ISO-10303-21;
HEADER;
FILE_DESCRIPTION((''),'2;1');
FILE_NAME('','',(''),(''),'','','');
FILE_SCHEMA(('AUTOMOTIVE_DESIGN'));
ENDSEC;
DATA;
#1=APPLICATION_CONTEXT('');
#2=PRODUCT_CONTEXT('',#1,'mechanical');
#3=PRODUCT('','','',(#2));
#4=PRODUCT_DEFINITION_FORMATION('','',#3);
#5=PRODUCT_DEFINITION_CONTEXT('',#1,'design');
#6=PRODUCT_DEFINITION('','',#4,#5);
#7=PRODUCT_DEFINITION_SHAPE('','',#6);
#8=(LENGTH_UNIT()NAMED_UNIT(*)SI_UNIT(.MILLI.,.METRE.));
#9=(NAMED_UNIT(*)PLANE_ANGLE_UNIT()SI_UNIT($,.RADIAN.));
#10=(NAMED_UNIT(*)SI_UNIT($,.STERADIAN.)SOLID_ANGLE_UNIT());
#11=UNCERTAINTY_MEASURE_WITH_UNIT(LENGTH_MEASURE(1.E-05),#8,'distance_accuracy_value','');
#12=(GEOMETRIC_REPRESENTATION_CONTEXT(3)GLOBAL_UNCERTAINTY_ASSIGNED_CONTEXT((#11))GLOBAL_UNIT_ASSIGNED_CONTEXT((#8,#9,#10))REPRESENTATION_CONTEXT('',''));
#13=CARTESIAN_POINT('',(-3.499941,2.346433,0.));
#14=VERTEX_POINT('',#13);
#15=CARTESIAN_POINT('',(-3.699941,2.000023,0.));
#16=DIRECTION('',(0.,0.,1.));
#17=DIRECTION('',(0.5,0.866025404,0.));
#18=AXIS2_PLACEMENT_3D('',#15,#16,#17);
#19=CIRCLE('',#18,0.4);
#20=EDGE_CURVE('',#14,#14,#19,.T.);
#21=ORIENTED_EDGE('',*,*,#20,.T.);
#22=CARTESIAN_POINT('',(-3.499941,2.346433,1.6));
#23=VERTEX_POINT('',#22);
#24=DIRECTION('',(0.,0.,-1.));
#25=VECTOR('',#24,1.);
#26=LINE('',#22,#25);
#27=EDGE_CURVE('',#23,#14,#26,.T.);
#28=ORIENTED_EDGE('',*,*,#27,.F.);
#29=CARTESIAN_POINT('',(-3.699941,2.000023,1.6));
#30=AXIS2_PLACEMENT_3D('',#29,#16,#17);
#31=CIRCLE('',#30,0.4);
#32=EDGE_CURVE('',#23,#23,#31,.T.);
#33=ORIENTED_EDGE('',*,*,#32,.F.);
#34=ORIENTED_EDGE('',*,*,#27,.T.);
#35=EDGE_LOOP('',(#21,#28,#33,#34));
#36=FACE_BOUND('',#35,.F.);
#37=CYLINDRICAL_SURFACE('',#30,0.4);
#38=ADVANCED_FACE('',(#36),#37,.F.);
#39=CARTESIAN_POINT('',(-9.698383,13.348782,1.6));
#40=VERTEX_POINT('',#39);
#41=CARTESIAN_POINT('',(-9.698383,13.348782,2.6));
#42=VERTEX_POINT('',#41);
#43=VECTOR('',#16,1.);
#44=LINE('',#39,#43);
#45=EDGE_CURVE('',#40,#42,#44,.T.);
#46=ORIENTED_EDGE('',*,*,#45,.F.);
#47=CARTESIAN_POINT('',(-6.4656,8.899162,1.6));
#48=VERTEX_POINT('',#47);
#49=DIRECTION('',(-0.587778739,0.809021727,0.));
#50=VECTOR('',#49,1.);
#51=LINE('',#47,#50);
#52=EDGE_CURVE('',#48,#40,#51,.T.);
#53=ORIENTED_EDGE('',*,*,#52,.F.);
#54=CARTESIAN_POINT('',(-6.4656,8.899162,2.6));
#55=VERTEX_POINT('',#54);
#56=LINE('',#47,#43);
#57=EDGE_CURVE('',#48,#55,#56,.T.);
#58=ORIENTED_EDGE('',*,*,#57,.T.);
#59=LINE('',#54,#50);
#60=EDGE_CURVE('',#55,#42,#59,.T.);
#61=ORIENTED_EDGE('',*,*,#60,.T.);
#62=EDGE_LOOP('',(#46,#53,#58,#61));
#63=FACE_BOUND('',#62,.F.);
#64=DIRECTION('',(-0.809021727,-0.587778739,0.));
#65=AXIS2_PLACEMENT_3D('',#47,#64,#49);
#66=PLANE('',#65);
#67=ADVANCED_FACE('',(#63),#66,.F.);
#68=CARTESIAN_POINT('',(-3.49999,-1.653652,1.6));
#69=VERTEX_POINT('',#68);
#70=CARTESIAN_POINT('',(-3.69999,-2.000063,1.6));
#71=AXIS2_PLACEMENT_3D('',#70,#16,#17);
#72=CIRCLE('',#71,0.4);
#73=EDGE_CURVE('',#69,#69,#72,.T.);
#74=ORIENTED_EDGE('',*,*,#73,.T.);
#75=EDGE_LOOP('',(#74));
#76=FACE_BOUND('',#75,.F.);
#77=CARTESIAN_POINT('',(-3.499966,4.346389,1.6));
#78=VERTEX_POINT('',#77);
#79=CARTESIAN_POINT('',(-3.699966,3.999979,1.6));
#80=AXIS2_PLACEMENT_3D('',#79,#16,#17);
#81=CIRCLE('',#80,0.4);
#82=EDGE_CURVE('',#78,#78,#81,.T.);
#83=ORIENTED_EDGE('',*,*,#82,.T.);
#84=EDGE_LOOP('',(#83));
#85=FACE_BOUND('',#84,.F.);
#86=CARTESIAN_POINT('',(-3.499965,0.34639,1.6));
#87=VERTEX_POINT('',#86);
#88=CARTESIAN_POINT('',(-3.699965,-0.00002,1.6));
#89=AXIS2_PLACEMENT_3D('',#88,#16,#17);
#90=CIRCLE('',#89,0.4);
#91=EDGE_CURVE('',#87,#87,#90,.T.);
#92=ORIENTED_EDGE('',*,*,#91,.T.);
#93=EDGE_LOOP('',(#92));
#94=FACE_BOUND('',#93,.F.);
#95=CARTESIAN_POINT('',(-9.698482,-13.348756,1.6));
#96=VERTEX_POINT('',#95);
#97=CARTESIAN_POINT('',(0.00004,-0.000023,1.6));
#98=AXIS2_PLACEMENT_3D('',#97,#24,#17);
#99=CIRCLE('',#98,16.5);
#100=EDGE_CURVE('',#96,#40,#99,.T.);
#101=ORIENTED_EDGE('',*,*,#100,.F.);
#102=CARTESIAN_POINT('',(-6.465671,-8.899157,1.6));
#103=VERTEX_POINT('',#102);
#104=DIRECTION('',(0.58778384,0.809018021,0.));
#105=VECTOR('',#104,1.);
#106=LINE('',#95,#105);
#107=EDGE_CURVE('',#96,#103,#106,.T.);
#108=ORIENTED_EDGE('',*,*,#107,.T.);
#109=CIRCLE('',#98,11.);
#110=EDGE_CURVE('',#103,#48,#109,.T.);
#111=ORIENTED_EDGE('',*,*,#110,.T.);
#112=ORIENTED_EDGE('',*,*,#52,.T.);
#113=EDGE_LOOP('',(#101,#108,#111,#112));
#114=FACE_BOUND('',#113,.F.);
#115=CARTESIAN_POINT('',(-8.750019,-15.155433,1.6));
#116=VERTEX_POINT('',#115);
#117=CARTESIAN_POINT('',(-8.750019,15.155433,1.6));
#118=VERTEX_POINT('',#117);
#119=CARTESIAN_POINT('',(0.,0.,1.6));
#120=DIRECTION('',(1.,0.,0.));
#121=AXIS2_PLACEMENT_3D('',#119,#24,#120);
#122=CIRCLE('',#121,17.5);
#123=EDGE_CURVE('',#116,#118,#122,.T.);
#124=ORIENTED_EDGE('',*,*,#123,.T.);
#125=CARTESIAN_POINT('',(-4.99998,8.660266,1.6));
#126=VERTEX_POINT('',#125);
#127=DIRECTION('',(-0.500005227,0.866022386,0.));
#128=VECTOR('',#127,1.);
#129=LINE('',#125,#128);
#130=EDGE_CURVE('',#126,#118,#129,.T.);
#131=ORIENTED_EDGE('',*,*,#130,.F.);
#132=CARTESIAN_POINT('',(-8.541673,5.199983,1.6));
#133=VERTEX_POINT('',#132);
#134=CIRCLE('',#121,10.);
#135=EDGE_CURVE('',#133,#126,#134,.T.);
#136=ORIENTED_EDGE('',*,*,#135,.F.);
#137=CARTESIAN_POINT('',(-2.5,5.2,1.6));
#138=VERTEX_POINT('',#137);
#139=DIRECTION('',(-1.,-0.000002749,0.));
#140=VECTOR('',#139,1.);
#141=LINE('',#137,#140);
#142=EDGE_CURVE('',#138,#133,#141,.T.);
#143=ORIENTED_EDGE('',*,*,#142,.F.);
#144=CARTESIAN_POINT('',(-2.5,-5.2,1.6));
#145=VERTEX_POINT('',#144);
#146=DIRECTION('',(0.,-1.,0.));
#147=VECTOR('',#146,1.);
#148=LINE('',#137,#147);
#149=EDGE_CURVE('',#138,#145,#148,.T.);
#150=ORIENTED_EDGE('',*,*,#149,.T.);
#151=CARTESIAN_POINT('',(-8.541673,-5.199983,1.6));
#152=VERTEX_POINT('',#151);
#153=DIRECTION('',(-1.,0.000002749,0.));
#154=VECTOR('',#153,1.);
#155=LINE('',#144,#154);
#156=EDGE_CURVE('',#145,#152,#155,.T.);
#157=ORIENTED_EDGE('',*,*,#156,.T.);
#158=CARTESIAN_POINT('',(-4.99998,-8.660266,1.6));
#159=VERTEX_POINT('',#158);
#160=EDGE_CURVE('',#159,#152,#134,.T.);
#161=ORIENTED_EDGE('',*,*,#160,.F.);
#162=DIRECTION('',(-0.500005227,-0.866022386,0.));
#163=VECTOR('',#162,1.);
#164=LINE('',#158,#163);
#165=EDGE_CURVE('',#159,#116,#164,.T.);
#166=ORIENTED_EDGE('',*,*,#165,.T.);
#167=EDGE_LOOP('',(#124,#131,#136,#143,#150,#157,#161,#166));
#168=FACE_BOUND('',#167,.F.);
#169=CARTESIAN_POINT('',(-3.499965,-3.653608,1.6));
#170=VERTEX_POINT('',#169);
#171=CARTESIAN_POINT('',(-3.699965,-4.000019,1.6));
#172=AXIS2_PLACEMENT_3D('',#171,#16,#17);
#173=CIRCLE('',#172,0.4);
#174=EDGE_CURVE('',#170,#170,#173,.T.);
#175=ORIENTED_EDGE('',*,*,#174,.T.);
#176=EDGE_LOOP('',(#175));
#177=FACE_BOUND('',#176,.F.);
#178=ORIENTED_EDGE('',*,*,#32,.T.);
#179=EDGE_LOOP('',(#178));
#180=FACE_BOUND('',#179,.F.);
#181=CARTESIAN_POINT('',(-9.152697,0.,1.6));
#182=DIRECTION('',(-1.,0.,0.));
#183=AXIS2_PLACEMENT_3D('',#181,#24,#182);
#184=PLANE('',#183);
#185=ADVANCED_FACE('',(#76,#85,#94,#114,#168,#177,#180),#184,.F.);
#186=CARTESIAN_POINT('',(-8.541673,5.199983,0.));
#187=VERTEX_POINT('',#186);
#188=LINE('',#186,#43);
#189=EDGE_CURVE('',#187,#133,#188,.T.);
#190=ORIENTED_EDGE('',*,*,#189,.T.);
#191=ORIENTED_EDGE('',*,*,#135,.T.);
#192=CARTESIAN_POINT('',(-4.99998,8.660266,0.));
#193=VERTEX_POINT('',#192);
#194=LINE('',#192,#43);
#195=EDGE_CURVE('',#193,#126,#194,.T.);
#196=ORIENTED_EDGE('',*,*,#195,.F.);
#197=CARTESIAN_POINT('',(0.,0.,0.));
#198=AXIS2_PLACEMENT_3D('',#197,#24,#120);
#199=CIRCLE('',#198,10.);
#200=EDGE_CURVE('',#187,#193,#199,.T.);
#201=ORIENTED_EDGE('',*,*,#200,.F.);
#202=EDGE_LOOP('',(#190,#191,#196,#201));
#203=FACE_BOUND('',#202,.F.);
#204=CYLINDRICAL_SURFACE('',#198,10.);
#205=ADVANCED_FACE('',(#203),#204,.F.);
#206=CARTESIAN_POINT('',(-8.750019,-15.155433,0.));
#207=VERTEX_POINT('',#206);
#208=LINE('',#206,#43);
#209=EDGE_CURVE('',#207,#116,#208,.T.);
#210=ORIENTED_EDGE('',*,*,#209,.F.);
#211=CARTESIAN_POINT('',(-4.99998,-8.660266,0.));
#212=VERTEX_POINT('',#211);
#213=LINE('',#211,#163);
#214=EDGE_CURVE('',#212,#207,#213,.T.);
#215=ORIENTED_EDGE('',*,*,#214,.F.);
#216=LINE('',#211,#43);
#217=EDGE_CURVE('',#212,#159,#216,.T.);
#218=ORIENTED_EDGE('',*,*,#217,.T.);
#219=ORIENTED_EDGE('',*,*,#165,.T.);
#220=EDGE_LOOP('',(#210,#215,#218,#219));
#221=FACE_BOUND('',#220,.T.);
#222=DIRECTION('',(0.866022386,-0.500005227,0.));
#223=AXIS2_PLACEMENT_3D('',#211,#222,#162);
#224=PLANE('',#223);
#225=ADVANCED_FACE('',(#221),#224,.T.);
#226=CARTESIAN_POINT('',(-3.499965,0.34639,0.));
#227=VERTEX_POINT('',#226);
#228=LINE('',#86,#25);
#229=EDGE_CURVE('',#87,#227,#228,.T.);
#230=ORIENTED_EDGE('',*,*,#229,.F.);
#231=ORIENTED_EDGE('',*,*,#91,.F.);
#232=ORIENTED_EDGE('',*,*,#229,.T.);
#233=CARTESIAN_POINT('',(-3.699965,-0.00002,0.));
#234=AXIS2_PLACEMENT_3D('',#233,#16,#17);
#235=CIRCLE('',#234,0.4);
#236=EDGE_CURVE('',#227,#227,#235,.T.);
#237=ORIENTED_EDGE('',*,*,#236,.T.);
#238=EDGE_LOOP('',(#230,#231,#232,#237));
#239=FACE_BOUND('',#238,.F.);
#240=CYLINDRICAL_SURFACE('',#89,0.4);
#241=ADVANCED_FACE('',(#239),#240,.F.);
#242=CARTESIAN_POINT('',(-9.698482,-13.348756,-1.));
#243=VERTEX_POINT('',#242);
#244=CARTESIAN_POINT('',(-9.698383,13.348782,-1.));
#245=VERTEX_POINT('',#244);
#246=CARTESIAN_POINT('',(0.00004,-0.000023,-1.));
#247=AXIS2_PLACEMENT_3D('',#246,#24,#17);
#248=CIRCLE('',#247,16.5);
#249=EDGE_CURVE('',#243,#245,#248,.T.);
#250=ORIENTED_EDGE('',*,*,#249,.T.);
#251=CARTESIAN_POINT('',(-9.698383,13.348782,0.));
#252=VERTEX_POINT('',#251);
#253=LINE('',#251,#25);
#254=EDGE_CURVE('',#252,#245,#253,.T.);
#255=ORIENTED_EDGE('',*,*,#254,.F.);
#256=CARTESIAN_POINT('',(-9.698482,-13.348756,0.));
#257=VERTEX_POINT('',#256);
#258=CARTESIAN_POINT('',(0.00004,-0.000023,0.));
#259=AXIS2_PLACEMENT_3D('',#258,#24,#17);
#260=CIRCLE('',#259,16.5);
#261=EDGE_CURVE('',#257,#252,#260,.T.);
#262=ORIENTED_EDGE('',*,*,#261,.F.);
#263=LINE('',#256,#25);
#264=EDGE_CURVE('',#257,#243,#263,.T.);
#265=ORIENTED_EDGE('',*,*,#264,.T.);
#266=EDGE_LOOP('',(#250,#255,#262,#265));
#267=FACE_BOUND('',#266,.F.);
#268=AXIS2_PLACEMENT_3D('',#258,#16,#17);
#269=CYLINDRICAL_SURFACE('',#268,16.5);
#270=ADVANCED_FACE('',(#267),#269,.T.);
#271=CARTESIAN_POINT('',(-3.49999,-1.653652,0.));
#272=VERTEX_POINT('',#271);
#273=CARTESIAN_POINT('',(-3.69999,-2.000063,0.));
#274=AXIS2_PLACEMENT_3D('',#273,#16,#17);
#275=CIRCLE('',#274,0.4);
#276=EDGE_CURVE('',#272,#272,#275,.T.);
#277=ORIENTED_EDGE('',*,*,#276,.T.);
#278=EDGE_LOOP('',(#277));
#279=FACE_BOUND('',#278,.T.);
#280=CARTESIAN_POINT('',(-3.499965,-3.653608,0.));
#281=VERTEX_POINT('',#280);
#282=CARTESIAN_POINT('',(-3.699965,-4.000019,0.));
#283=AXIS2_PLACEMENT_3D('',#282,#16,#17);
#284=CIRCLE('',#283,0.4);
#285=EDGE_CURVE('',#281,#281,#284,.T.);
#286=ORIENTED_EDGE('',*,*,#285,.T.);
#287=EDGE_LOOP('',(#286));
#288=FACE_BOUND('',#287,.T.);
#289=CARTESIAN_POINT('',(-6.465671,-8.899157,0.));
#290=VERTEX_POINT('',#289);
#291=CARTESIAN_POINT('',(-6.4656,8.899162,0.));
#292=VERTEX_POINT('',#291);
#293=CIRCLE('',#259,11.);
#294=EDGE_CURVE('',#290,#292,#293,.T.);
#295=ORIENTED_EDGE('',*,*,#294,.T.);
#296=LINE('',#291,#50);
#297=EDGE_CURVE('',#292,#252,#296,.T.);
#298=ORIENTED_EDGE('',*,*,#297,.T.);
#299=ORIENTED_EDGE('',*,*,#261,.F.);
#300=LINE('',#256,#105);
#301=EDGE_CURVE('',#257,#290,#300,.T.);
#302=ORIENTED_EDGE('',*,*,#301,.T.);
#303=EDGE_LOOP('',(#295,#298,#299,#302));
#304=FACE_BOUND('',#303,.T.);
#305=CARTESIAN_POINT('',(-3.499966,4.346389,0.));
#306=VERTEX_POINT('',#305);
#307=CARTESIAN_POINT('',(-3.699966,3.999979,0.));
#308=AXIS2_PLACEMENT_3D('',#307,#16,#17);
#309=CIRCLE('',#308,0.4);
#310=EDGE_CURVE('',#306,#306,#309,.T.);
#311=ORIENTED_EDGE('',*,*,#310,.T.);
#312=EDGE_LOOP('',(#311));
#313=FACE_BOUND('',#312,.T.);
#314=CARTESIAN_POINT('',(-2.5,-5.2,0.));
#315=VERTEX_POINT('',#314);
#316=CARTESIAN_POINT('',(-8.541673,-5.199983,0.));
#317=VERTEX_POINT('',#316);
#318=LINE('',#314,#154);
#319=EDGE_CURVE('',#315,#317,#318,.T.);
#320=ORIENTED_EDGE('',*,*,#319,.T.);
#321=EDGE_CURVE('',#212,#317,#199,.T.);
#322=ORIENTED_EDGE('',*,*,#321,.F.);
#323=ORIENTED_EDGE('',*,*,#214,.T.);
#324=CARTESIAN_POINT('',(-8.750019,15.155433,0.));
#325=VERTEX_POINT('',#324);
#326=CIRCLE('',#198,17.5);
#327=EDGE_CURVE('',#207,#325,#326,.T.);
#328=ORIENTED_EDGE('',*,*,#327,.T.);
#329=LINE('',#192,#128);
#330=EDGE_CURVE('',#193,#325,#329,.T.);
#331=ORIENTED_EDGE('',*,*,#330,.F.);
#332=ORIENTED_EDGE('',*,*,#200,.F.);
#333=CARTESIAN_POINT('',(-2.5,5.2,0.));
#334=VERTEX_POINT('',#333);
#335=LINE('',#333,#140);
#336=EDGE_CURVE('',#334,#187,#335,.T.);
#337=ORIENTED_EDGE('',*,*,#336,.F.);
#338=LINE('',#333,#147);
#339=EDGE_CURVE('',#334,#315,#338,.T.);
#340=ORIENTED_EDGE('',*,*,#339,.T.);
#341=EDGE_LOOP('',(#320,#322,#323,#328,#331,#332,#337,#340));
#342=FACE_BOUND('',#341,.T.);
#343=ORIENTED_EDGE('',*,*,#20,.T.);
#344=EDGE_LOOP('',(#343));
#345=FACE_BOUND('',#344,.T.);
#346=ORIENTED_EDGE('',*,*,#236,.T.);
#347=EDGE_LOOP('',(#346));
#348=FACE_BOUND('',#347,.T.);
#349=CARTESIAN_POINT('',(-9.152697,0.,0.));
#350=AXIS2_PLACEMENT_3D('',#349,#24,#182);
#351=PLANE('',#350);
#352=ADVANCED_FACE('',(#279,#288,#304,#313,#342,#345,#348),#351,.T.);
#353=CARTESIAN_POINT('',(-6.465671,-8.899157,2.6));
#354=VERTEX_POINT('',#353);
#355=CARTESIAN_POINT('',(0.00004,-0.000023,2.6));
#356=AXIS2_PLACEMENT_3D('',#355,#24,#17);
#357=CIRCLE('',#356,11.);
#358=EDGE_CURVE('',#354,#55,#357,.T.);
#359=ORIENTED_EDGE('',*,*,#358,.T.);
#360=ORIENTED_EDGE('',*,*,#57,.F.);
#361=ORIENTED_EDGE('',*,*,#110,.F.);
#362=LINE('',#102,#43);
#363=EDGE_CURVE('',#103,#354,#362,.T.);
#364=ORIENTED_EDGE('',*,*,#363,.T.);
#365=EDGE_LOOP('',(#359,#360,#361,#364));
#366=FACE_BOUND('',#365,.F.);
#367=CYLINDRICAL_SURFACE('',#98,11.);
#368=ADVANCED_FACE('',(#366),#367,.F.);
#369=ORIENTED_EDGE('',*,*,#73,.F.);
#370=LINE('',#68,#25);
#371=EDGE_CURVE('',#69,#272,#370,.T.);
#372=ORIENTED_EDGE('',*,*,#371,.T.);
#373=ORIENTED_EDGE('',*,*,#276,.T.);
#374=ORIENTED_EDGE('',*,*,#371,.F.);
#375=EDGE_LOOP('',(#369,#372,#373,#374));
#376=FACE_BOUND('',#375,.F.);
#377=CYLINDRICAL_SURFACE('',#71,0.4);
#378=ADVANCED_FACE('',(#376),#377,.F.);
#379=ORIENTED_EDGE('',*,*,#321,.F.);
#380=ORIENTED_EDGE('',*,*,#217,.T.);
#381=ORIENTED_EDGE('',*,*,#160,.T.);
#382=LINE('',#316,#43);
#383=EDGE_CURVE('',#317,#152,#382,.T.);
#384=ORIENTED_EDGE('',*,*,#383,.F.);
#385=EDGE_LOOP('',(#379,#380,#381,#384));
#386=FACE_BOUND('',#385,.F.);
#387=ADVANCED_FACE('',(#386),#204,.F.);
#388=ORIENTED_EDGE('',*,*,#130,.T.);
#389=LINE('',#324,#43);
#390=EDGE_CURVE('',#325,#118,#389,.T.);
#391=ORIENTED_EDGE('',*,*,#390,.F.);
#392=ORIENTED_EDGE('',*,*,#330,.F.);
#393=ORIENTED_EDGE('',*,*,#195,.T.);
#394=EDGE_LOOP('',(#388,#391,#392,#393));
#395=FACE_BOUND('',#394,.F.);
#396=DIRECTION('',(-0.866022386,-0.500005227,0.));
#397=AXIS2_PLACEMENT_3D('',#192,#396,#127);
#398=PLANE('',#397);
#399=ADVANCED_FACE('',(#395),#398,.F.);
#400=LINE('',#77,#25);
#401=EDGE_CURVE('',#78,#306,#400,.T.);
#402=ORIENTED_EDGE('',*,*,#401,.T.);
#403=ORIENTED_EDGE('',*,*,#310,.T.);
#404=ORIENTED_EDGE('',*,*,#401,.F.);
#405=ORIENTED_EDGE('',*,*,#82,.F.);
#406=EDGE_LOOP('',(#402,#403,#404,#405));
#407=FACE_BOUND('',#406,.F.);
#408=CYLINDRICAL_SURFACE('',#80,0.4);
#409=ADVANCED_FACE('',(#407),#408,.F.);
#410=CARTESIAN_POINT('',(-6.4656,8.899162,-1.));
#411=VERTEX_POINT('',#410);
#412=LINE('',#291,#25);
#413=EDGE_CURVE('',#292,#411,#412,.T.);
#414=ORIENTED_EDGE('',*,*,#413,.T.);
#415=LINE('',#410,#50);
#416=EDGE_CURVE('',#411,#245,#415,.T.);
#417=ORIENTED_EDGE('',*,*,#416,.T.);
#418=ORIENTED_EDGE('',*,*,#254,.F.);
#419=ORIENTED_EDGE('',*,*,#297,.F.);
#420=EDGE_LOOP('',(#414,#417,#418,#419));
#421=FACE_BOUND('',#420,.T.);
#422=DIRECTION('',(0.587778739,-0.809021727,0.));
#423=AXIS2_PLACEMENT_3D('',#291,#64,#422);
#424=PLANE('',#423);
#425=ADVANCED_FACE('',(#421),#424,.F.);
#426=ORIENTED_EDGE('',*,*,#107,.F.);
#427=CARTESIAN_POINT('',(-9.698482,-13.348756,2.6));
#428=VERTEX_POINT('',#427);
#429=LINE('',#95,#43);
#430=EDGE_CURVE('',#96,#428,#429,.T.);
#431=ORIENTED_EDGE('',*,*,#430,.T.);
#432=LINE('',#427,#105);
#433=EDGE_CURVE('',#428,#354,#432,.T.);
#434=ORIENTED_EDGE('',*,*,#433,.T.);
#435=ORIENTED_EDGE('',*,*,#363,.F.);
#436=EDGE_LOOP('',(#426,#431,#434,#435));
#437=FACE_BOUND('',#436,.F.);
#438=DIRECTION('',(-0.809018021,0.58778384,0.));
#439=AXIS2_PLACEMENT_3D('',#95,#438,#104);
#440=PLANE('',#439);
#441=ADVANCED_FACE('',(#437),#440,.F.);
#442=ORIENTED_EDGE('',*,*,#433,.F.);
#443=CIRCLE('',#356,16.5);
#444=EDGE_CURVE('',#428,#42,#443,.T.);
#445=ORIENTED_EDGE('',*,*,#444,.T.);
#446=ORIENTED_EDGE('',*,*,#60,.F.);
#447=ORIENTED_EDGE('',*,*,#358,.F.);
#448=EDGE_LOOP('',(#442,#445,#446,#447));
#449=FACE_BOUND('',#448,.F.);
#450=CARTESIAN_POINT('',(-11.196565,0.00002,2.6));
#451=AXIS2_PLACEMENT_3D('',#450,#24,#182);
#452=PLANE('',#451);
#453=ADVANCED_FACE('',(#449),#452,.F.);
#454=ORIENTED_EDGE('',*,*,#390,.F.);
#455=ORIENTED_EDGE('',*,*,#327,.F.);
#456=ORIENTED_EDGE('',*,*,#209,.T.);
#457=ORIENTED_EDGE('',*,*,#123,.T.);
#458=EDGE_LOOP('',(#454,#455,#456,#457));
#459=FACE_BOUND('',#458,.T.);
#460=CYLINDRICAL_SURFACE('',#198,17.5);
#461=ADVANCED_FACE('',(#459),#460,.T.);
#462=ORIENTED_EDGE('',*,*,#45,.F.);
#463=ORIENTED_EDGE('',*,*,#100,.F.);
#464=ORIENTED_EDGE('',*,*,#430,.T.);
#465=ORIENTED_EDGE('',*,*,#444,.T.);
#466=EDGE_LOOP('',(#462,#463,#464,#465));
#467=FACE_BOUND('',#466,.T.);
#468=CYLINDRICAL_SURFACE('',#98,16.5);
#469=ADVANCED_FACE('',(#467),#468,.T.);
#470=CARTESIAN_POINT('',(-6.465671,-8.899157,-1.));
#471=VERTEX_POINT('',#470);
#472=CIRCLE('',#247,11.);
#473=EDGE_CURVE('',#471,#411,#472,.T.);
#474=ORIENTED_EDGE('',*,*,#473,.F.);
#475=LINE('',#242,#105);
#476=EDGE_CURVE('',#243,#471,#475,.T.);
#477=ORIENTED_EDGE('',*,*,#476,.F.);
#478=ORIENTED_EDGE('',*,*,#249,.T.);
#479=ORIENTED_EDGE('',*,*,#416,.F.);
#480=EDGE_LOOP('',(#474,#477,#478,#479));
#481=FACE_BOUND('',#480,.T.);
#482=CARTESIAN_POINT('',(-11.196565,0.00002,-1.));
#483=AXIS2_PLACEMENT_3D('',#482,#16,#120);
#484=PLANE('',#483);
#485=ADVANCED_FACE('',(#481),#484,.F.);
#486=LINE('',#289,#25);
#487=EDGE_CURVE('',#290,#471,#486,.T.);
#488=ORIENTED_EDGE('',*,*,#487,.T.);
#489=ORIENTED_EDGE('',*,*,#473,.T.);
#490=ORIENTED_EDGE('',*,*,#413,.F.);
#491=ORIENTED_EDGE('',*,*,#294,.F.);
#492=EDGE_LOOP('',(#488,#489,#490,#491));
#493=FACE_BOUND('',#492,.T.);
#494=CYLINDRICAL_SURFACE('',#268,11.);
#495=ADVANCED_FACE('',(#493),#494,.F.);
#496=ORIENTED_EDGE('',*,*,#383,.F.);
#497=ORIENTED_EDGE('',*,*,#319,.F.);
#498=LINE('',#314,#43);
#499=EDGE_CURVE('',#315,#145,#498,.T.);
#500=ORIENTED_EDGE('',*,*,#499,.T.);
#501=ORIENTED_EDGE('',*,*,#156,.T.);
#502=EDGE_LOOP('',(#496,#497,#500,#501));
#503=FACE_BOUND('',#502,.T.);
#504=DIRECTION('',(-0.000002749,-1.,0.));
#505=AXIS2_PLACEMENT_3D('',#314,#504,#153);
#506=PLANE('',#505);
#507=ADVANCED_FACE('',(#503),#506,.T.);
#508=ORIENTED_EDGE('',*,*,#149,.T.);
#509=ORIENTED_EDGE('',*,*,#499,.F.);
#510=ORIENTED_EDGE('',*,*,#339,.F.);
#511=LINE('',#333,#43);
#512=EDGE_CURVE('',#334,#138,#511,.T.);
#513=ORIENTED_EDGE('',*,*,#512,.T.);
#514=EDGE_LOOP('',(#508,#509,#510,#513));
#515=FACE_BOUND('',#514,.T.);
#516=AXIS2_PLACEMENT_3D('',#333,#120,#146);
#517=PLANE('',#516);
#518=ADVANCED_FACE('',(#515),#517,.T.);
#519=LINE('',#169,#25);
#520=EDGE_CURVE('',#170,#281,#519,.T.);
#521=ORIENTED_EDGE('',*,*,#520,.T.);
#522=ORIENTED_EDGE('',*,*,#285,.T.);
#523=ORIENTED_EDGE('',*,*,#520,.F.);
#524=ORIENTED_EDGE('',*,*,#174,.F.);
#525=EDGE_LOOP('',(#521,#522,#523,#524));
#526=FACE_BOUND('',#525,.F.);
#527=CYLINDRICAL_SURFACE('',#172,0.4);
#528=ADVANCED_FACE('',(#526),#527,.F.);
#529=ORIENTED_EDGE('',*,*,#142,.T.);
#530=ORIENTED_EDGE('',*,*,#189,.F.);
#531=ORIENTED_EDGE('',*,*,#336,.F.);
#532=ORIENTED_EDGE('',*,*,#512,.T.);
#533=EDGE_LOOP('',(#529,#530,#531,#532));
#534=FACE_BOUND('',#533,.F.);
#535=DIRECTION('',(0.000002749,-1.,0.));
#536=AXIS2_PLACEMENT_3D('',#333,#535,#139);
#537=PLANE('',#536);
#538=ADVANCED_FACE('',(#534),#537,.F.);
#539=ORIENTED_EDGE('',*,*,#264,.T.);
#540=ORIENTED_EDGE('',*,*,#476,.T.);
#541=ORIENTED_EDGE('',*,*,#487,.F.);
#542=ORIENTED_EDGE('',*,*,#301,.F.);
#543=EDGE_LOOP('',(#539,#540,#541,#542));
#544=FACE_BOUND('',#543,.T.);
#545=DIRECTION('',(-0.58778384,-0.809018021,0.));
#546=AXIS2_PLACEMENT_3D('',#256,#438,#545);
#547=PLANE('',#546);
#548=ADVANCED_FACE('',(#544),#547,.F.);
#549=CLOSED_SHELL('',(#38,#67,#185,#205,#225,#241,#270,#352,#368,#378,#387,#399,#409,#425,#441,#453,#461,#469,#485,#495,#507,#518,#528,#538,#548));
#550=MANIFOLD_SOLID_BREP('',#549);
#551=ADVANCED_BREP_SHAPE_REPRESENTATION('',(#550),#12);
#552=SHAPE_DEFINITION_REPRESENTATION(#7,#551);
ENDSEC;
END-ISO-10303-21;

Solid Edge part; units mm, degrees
sketch "Sketch1" plane through (0, 0, 0) normal (0, 0, 1) x (1, 0, 0)
  line L0 (-2.5, -5.2) -> (-8.5417, -5.2)
  line L1 (-5, -8.6603) -> (-8.75, -15.1554)
  line L2 (-5, 8.6603) -> (-8.75, 15.1554)
  arc A0 (-8.5417, 5.2) -> (-5, 8.6603) centre (0, 0) cw
  line L3 (-2.5, 5.2) -> (-8.5417, 5.2)
  line L4 (-2.5, 5.2) -> (-2.5, -5.2)
  arc A1 (-5, -8.6603) -> (-8.5417, -5.2) centre (0, 0) cw
  arc A2 (-8.75, -15.1554) -> (-8.75, 15.1554) centre (0, 0) cw
extrude "Protrusion1" add sketch "Sketch1" along normal blind 1.6
sketch "Sketch2" plane through (-10, 0, 1.6) normal (0, 0, 1) x (0.5, 0.866, 0)
  arc A0 (-11.4096, -6.9355) -> (11.7112, 6.4132) centre (5, -8.6603) cw
  line L0 (9.4741, 1.3887) -> (11.7112, 6.4132)
  arc A1 (-5.9397, -7.5104) -> (9.4741, 1.3887) centre (5, -8.6603) cw
  line L1 (-11.4096, -6.9355) -> (-5.9397, -7.5104)
extrude "ProtrusiónExtruida_2" add sketch "Sketch2" along normal blind 1
mirror "Mirror1" about plane through (0, 0, 0.8) normal (0, 0, 1) of "ProtrusiónExtruida_2"
sketch "Sketch3" plane through (-10, 0, 1.6) normal (0, 0, 1) x (0.5, 0.866, 0)
  circle A0 centre (6.6141, -3.456) radius 0.4
  circle A1 centre (4.8821, -4.456) radius 0.4
  circle A2 centre (3.15, -5.456) radius 0.4
  circle A3 centre (1.4179, -6.456) radius 0.4
  circle A4 centre (-0.3141, -7.456) radius 0.4
extrude "Cutout1" cut sketch "Sketch3" against normal through all
